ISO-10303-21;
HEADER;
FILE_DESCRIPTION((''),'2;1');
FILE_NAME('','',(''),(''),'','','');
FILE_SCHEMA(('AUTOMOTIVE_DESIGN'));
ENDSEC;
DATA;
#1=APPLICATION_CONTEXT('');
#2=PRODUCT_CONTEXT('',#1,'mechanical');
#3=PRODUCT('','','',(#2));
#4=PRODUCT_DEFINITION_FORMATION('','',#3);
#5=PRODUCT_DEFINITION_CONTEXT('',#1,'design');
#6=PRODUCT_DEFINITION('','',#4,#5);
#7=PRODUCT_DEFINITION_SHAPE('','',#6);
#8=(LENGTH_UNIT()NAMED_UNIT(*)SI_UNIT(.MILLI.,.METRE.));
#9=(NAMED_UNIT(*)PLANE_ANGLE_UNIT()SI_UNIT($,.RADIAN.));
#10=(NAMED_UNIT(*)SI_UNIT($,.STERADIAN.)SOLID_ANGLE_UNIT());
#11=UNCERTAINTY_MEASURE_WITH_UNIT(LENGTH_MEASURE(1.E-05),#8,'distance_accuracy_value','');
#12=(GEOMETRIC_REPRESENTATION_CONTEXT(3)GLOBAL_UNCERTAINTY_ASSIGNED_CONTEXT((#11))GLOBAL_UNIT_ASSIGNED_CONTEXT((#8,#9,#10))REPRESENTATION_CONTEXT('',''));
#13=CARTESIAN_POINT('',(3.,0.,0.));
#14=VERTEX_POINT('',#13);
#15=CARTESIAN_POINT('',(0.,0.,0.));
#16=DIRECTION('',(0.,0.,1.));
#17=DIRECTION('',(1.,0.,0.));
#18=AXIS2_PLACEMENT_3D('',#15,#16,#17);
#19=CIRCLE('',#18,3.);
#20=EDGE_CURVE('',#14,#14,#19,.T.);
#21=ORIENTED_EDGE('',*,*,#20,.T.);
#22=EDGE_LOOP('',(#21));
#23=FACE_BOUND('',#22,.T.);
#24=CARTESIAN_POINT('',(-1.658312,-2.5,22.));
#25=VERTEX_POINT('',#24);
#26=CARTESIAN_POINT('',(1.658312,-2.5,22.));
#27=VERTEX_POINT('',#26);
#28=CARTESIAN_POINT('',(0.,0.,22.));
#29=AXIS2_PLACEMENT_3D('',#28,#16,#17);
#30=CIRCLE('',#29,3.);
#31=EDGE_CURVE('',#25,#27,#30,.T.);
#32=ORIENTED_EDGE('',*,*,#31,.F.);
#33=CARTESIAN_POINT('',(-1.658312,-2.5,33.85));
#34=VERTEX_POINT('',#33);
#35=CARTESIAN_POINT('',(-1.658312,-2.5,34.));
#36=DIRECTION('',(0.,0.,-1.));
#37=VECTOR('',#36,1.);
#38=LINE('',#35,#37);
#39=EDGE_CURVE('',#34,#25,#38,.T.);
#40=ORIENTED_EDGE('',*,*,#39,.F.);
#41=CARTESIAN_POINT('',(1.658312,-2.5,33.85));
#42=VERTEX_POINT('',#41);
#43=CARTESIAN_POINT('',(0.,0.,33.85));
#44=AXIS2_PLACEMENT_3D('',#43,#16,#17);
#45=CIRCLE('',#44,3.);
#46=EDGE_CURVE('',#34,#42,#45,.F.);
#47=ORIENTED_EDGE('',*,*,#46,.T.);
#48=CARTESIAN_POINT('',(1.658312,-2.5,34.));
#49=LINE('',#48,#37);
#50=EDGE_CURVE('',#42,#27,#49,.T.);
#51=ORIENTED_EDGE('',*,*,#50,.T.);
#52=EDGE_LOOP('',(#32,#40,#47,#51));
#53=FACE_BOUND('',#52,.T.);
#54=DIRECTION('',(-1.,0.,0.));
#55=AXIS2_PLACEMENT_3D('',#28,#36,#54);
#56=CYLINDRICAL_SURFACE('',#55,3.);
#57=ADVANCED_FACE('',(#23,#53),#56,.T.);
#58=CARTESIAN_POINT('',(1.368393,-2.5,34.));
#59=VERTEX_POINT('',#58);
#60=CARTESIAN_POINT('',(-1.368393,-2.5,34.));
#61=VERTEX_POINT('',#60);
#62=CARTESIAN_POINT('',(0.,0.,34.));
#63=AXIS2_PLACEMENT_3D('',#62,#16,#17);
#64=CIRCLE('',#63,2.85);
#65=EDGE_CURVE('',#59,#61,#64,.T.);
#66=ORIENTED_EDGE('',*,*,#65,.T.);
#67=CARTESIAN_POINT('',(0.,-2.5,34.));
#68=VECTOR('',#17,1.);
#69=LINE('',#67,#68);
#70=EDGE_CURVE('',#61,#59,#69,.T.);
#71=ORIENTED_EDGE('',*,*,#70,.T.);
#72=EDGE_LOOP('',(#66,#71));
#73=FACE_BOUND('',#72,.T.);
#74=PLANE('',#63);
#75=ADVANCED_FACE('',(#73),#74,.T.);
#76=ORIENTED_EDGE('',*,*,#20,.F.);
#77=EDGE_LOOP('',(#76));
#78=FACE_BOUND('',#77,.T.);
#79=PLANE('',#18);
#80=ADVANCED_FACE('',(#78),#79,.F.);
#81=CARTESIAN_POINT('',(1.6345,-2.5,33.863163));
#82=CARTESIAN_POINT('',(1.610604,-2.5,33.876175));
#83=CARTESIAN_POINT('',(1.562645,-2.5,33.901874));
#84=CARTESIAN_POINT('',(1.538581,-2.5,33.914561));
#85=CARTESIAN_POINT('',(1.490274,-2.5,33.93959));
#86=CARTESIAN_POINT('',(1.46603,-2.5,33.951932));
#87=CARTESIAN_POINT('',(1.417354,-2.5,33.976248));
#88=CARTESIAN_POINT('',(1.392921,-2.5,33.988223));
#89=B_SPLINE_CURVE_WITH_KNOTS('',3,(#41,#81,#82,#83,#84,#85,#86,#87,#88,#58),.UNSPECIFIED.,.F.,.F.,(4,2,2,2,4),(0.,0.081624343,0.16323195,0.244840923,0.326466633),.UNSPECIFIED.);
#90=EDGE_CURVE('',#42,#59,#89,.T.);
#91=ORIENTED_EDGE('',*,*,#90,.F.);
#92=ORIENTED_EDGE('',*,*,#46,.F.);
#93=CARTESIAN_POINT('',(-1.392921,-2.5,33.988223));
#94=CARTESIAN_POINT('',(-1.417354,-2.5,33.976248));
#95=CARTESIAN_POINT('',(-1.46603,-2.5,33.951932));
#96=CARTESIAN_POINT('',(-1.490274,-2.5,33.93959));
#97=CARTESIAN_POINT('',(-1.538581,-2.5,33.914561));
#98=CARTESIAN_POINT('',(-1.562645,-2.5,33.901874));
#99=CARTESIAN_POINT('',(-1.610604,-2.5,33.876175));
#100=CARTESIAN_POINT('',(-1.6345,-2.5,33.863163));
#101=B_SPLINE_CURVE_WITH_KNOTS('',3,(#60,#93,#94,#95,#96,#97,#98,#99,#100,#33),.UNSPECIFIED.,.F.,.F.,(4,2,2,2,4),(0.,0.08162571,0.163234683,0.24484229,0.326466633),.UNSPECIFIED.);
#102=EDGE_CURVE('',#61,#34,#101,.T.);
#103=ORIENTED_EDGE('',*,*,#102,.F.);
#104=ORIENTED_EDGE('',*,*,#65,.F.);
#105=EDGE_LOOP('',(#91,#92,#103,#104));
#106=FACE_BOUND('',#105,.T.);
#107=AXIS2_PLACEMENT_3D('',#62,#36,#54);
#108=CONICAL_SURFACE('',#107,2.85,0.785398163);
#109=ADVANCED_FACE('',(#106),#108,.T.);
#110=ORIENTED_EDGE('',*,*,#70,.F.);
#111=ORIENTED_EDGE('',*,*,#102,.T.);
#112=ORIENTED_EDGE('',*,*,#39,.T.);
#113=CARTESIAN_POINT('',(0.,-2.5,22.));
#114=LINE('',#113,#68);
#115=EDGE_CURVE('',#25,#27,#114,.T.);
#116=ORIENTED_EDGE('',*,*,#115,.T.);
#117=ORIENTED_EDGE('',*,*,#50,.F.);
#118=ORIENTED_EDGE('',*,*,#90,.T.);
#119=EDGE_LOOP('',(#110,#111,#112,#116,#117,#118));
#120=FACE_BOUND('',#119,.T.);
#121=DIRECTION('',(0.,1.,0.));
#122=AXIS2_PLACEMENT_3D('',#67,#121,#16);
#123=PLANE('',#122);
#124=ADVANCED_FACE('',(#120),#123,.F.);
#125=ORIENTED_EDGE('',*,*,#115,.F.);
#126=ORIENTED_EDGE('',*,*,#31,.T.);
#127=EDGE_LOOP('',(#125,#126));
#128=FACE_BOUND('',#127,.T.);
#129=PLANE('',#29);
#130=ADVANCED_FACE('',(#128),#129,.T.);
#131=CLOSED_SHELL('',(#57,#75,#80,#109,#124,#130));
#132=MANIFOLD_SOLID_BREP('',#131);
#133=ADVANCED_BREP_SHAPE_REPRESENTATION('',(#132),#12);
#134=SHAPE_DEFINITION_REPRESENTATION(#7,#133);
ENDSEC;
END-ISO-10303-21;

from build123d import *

# Parameters (mm, degrees)
SKETCH1_R           = 3
BOSS_EXTRUDE1_DEPTH = 22
BOSS_EXTRUDE2_DEPTH = 12
CHAMFER1_SIZE       = 0.15


with BuildPart() as part:
    # Sketch1 → Boss-Extrude1 (new body)
    with BuildSketch(Plane.XY):
        Circle(SKETCH1_R)
    extrude(amount=BOSS_EXTRUDE1_DEPTH)

    # Sketch2 → Boss-Extrude2 (add)
    with BuildSketch(Plane.XY.offset(22)):
        with BuildLine():
            ThreePointArc((1.658312395, -2.5), (0, 3), (-1.658312395, -2.5))
            Line((-1.658312395, -2.5), (1.658312395, -2.5))
        make_face()
    extrude(amount=BOSS_EXTRUDE2_DEPTH)

    # Chamfer1
    chamfer1_edges = [part.edges().sort_by_distance(p)[0] for p in [
        (0, 3, 34),
    ]]
    chamfer(chamfer1_edges, length=CHAMFER1_SIZE)


solid = part.part
